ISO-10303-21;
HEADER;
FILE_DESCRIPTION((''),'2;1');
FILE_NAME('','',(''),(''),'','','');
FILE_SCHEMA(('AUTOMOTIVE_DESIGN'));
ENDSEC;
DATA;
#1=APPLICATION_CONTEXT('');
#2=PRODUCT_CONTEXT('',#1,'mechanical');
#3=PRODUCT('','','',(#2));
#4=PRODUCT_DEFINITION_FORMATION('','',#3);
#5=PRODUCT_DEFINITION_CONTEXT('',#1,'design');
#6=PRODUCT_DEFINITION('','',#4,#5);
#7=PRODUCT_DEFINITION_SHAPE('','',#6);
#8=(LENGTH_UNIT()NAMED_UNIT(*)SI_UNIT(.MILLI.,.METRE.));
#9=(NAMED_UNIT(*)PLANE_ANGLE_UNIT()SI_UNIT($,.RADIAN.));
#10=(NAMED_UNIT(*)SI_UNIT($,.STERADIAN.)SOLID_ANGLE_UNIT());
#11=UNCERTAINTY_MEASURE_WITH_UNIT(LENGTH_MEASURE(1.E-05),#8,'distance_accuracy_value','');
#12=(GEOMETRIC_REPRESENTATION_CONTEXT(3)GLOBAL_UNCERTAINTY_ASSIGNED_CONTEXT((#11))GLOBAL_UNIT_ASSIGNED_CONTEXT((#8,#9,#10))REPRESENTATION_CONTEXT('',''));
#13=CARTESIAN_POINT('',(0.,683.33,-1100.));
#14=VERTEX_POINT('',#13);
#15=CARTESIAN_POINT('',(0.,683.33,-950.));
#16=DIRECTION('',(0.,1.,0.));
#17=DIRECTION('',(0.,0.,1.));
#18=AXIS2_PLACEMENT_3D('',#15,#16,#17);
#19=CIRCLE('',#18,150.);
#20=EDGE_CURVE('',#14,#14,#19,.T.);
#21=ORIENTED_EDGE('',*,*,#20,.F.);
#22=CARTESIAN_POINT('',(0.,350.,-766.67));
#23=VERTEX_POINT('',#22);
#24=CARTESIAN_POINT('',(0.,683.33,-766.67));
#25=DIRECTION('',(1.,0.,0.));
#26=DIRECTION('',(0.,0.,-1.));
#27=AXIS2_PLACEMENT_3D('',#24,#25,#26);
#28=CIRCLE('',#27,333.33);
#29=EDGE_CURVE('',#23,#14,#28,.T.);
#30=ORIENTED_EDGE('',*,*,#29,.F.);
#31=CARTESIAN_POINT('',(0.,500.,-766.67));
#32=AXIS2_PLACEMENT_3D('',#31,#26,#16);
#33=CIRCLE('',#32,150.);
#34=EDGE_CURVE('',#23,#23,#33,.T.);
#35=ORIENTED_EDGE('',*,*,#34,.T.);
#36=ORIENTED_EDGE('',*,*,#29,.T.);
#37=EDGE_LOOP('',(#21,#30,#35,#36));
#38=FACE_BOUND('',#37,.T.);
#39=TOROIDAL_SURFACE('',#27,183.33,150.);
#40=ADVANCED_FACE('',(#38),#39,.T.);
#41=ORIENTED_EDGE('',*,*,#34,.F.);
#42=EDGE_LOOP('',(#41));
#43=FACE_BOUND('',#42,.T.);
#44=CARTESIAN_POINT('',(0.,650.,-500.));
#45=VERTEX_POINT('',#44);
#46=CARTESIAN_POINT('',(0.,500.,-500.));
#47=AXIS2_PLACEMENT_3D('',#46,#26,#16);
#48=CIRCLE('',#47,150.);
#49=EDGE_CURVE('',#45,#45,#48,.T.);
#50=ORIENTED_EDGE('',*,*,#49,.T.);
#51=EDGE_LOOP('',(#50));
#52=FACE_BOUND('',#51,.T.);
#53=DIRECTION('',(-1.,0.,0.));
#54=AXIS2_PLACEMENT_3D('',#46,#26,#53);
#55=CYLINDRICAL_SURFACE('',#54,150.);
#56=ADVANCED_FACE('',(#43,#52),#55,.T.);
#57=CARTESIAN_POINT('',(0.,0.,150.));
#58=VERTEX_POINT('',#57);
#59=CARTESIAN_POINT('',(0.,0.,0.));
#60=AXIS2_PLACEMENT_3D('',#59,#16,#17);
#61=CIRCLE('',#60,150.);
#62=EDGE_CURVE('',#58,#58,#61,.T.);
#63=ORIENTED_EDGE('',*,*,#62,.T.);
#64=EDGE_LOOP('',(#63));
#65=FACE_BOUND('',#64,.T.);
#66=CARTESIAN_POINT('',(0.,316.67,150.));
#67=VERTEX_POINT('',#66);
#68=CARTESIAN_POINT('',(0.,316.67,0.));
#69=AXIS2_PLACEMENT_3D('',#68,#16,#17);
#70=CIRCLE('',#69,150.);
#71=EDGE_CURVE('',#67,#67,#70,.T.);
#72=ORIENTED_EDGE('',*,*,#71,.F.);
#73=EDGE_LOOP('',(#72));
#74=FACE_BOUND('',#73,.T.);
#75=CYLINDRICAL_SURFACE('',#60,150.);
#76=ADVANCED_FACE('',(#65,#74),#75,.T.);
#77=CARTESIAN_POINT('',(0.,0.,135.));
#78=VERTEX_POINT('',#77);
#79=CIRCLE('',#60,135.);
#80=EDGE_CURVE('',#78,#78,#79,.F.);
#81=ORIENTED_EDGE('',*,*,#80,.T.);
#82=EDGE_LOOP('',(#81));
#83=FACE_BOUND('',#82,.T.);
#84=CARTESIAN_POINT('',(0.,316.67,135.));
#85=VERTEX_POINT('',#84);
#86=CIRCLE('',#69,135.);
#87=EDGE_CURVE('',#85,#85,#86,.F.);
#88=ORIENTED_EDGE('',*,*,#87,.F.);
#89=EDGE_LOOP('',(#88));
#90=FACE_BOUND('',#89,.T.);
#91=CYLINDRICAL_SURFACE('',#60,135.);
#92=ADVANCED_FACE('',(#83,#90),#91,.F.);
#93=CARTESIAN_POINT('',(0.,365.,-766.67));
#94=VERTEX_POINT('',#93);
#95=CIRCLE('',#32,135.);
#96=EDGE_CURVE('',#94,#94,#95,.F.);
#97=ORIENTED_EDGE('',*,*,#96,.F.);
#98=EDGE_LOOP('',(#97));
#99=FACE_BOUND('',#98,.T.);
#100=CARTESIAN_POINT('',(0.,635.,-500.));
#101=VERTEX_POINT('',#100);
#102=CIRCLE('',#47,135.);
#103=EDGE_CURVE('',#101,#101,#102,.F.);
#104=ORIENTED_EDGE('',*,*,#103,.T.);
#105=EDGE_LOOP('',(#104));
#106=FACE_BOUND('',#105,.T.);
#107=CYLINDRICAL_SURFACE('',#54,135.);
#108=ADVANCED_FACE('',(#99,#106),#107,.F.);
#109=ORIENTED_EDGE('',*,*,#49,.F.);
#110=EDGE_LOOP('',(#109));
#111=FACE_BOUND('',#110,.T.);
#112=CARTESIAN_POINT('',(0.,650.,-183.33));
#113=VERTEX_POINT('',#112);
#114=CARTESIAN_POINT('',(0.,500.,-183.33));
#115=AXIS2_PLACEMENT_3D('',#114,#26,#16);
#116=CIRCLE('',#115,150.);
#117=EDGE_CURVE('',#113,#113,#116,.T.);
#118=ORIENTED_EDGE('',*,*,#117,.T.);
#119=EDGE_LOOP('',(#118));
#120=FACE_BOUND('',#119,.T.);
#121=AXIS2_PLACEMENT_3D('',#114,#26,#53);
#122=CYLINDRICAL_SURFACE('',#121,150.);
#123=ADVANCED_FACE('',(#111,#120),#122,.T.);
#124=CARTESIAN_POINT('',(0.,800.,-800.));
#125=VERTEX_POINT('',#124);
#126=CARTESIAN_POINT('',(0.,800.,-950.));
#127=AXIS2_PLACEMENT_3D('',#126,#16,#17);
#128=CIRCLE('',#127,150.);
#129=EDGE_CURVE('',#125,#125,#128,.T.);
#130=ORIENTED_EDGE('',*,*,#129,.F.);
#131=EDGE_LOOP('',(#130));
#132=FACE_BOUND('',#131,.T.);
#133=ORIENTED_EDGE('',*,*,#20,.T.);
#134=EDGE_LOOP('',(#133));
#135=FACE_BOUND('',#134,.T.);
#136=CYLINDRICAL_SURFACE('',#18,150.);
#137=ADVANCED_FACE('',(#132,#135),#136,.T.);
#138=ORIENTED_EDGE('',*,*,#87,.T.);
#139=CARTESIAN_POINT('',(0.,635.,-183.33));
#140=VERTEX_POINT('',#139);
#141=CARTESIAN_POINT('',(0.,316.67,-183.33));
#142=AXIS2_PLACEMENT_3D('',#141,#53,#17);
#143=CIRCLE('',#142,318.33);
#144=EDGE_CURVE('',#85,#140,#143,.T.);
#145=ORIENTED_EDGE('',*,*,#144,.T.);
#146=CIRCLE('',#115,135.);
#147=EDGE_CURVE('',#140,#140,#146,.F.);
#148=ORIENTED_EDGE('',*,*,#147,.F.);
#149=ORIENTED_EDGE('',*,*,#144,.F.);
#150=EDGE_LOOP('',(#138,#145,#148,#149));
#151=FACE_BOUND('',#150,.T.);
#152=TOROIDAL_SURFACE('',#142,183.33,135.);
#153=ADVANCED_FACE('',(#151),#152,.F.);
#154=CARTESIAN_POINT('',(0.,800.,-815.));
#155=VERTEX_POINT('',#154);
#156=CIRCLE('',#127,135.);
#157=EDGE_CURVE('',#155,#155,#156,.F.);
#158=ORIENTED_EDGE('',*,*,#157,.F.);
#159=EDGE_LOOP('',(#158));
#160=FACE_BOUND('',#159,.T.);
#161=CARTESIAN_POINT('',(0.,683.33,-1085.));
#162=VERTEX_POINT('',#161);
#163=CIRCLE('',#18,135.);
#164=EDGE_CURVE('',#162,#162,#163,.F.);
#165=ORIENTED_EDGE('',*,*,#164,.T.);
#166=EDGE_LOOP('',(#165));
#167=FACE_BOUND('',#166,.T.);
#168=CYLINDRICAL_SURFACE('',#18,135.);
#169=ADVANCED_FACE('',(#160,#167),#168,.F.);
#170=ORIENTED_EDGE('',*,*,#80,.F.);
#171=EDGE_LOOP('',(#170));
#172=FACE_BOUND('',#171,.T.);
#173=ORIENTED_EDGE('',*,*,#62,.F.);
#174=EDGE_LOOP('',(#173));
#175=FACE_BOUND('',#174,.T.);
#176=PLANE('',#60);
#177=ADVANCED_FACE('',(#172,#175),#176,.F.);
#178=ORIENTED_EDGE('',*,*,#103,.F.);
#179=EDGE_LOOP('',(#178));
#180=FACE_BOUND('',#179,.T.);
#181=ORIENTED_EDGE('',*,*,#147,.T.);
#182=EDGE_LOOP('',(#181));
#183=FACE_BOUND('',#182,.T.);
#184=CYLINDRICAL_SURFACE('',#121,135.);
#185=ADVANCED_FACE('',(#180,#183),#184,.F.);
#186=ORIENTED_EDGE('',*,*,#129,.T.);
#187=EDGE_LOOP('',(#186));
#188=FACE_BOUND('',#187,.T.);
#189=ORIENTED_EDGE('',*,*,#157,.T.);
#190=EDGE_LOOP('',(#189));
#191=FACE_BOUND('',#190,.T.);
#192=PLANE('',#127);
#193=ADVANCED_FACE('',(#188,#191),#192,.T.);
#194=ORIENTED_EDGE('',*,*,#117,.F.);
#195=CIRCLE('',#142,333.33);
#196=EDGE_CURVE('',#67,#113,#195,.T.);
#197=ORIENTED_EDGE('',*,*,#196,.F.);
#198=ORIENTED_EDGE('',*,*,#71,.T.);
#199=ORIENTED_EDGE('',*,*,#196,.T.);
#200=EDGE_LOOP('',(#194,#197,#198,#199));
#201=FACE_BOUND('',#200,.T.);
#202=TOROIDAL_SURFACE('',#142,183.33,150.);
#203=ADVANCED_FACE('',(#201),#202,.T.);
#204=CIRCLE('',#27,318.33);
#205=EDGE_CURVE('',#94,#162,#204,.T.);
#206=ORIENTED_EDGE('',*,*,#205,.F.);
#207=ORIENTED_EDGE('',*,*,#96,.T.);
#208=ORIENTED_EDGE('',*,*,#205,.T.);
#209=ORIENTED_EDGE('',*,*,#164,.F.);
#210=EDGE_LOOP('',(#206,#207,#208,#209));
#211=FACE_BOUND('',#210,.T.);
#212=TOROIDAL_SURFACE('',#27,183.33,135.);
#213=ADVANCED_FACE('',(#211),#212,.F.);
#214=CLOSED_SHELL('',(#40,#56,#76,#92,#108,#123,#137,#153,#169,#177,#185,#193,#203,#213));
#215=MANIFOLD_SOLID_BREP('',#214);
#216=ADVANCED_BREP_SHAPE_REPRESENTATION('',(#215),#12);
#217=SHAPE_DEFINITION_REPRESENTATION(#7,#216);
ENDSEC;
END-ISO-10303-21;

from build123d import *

# Parameters (mm, degrees)
SKETCH2_R   = 150
SKETCH2_R_2 = 135


with BuildPart() as part:
    # Sweep2: sweep along a path in Sketch1
    with BuildLine(Plane(origin=(0, 0, 0), x_dir=(0, 0, -1), z_dir=(1, 0, 0))) as sweep2_path:
        Line((0, 0), (0, 316.67))
        ThreePointArc((0, 316.67), (53.696113805, 446.303886195), (183.33, 500))
        Line((183.33, 500), (500, 500))
        Line((500, 500), (766.67, 500))
        ThreePointArc((766.67, 500), (896.303886195, 553.696113805), (950, 683.33))
        Line((950, 683.33), (950, 800))
    # Sketch2 → Sweep2 (sweep)
    with BuildSketch(Plane(origin=(0, 0, 0), x_dir=(1, 0, 0), z_dir=(0, 1, 0))):
        Circle(SKETCH2_R)
        Circle(SKETCH2_R_2, mode=Mode.SUBTRACT)
    sweep(path=sweep2_path.line)


solid = part.part
